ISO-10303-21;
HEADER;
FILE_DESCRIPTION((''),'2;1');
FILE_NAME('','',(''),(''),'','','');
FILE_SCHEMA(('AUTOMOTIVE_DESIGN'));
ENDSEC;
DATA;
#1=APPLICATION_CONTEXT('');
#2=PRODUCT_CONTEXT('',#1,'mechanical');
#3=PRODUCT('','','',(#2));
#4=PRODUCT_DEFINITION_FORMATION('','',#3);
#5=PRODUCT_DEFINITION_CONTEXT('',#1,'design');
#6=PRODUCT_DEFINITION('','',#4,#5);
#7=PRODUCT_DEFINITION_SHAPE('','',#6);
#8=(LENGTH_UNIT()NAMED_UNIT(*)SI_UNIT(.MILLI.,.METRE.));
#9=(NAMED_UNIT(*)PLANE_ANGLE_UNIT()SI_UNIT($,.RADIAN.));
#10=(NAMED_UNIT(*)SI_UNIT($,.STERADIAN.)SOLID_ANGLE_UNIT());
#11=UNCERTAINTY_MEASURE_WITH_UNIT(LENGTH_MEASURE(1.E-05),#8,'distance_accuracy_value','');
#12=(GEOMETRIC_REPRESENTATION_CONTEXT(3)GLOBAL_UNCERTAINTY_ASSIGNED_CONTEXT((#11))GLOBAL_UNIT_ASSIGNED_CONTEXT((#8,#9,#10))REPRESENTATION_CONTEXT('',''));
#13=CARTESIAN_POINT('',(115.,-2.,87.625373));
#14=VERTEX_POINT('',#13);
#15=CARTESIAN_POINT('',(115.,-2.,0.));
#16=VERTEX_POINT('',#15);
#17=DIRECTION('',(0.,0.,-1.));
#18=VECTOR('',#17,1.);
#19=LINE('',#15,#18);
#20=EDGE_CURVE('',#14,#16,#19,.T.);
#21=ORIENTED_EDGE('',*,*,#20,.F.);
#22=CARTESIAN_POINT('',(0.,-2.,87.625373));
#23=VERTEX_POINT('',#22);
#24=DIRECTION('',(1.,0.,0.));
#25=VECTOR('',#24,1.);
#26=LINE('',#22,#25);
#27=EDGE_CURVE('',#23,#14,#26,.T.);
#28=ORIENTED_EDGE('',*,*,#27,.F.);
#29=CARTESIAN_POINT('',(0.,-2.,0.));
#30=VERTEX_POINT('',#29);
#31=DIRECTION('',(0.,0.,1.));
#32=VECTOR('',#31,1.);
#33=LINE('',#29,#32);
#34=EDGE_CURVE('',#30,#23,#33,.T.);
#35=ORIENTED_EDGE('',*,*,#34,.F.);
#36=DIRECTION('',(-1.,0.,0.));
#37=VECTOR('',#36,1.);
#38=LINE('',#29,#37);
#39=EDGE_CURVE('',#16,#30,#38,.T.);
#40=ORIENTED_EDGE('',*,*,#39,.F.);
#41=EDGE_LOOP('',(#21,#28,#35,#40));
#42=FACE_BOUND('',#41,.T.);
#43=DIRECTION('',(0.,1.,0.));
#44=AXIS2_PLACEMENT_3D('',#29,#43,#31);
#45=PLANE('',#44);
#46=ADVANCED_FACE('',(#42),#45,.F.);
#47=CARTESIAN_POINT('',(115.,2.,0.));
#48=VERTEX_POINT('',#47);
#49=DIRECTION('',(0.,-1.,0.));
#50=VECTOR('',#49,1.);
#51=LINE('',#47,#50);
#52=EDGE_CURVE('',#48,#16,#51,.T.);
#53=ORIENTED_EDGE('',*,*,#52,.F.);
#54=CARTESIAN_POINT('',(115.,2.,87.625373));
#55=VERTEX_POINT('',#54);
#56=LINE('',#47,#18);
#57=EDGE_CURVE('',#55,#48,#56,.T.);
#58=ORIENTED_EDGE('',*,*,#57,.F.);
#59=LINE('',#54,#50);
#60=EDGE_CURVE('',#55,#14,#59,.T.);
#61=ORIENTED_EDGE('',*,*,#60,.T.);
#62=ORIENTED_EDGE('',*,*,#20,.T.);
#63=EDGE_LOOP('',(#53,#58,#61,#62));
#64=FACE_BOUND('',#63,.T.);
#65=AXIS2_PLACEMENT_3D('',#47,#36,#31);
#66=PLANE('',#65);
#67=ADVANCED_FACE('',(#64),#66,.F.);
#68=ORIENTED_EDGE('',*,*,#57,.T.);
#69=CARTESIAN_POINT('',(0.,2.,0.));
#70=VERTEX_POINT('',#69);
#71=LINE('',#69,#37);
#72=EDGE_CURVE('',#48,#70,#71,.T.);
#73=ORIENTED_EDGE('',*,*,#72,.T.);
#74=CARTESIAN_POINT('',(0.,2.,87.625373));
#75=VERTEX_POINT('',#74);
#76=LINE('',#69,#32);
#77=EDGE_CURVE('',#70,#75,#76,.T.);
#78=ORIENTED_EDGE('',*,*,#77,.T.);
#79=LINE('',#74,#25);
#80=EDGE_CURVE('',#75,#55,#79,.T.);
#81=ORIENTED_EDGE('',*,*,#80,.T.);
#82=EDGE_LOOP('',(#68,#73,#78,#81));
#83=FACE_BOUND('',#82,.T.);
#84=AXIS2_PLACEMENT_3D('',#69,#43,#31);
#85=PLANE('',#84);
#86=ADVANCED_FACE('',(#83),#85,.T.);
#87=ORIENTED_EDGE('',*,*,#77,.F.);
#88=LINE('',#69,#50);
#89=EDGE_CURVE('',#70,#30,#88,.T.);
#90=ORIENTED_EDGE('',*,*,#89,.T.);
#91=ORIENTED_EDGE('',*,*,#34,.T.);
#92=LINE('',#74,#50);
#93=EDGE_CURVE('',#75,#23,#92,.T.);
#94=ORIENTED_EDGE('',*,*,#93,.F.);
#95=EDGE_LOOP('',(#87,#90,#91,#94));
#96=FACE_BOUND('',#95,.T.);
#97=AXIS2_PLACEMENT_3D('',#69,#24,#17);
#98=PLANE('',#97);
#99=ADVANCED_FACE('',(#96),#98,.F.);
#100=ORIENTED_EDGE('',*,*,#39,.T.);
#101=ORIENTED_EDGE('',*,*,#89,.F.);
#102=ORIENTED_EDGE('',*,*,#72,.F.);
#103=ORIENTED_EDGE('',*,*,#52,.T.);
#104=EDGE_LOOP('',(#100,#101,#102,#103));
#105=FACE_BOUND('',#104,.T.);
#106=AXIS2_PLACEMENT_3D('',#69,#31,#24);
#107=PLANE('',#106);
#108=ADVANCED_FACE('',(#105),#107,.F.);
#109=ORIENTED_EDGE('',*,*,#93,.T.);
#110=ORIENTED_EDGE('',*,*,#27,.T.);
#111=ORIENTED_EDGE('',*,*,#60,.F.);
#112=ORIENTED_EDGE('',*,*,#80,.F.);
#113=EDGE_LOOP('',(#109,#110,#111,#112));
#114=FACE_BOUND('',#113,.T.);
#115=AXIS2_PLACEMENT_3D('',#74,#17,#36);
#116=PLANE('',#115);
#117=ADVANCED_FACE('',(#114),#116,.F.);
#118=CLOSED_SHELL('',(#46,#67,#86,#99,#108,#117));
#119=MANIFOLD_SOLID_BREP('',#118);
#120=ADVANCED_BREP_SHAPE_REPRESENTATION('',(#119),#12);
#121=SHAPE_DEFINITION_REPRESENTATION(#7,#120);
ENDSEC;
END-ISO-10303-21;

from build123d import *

# Parameters (mm, degrees)
SKETCH1_W           = 115
SKETCH1_H           = 87.625373267
BOSS_EXTRUDE1_DEPTH = 2


with BuildPart() as part:
    # Sketch1 → Boss-Extrude1 (new body, symmetric)
    with BuildSketch(Plane(origin=(0, 0, 0), x_dir=(1, 0, 0), z_dir=(0, 1, 0))):
        with Locations((57.5, -43.812686634)):
            Rectangle(SKETCH1_W, SKETCH1_H)
    extrude(amount=BOSS_EXTRUDE1_DEPTH, both=True)


solid = part.part
